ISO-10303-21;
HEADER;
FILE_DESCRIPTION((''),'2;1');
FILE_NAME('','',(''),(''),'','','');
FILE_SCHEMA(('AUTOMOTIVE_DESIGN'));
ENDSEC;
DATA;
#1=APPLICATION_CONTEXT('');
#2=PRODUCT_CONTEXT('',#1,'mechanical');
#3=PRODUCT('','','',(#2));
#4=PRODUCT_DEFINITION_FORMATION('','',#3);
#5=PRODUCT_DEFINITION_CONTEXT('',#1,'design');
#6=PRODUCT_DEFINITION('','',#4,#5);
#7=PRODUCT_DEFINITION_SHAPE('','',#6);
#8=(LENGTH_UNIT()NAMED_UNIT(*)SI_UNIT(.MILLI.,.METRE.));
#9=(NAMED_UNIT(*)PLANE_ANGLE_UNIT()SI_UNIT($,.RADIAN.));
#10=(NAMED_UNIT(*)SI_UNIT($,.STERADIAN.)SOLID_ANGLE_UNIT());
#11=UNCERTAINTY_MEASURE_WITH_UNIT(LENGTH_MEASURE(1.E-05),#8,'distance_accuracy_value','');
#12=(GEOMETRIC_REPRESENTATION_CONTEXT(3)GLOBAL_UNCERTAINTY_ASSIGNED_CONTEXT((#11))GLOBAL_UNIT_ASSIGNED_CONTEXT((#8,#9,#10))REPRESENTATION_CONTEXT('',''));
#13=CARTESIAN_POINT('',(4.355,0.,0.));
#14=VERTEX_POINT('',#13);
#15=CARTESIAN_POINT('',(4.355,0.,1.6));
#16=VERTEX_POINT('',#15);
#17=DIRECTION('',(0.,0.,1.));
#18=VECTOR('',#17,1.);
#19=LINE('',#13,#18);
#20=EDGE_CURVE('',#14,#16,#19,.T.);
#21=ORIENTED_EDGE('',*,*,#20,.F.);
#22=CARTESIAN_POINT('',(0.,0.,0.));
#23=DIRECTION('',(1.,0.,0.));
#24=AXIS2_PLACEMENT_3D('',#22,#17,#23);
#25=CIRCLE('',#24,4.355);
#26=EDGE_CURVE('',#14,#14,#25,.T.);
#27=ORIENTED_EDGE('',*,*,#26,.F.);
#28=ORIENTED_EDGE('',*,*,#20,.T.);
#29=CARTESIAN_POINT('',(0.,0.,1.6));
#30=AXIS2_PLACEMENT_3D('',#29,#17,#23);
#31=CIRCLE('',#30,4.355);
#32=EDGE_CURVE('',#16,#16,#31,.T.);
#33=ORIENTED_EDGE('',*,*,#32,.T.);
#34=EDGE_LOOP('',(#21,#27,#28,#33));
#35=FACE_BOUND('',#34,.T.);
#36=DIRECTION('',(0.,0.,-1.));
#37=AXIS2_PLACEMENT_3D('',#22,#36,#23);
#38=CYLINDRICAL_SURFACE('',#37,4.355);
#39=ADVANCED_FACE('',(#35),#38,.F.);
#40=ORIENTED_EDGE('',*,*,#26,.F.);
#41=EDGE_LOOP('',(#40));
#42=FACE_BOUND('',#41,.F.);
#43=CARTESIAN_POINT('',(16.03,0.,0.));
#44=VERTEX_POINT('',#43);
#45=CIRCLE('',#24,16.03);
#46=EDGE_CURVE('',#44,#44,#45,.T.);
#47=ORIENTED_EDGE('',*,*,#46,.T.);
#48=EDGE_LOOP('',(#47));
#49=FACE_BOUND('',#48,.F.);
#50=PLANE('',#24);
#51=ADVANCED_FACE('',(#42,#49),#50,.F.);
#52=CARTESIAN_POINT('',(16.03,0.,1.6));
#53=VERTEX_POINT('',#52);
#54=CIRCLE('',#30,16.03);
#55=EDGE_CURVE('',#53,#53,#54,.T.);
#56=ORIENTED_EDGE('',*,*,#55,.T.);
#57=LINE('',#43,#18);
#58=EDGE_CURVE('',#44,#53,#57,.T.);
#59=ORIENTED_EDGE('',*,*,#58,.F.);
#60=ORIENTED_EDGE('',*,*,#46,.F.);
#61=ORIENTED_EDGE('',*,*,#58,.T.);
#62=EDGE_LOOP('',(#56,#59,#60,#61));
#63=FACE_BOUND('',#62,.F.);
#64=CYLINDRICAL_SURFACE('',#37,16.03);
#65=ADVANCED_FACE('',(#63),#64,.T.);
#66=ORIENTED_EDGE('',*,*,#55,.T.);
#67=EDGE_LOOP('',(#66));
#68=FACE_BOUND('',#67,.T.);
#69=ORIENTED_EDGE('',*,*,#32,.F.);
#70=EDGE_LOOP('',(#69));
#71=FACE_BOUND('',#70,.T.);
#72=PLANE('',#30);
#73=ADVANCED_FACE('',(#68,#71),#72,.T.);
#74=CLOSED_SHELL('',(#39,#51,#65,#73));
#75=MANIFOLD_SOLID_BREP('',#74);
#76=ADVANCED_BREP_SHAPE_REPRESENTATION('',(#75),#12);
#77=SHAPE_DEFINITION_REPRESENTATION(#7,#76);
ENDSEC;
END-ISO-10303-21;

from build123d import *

# Parameters (mm, degrees)
SKETCH_R   = 16.03
SKETCH_R_2 = 4.355
PAD_DEPTH  = 1.6


with BuildPart() as part:
    # Sketch → Pad (new body)
    with BuildSketch(Plane.XY):
        Circle(SKETCH_R)
        Circle(SKETCH_R_2, mode=Mode.SUBTRACT)
    extrude(amount=PAD_DEPTH)


solid = part.part
